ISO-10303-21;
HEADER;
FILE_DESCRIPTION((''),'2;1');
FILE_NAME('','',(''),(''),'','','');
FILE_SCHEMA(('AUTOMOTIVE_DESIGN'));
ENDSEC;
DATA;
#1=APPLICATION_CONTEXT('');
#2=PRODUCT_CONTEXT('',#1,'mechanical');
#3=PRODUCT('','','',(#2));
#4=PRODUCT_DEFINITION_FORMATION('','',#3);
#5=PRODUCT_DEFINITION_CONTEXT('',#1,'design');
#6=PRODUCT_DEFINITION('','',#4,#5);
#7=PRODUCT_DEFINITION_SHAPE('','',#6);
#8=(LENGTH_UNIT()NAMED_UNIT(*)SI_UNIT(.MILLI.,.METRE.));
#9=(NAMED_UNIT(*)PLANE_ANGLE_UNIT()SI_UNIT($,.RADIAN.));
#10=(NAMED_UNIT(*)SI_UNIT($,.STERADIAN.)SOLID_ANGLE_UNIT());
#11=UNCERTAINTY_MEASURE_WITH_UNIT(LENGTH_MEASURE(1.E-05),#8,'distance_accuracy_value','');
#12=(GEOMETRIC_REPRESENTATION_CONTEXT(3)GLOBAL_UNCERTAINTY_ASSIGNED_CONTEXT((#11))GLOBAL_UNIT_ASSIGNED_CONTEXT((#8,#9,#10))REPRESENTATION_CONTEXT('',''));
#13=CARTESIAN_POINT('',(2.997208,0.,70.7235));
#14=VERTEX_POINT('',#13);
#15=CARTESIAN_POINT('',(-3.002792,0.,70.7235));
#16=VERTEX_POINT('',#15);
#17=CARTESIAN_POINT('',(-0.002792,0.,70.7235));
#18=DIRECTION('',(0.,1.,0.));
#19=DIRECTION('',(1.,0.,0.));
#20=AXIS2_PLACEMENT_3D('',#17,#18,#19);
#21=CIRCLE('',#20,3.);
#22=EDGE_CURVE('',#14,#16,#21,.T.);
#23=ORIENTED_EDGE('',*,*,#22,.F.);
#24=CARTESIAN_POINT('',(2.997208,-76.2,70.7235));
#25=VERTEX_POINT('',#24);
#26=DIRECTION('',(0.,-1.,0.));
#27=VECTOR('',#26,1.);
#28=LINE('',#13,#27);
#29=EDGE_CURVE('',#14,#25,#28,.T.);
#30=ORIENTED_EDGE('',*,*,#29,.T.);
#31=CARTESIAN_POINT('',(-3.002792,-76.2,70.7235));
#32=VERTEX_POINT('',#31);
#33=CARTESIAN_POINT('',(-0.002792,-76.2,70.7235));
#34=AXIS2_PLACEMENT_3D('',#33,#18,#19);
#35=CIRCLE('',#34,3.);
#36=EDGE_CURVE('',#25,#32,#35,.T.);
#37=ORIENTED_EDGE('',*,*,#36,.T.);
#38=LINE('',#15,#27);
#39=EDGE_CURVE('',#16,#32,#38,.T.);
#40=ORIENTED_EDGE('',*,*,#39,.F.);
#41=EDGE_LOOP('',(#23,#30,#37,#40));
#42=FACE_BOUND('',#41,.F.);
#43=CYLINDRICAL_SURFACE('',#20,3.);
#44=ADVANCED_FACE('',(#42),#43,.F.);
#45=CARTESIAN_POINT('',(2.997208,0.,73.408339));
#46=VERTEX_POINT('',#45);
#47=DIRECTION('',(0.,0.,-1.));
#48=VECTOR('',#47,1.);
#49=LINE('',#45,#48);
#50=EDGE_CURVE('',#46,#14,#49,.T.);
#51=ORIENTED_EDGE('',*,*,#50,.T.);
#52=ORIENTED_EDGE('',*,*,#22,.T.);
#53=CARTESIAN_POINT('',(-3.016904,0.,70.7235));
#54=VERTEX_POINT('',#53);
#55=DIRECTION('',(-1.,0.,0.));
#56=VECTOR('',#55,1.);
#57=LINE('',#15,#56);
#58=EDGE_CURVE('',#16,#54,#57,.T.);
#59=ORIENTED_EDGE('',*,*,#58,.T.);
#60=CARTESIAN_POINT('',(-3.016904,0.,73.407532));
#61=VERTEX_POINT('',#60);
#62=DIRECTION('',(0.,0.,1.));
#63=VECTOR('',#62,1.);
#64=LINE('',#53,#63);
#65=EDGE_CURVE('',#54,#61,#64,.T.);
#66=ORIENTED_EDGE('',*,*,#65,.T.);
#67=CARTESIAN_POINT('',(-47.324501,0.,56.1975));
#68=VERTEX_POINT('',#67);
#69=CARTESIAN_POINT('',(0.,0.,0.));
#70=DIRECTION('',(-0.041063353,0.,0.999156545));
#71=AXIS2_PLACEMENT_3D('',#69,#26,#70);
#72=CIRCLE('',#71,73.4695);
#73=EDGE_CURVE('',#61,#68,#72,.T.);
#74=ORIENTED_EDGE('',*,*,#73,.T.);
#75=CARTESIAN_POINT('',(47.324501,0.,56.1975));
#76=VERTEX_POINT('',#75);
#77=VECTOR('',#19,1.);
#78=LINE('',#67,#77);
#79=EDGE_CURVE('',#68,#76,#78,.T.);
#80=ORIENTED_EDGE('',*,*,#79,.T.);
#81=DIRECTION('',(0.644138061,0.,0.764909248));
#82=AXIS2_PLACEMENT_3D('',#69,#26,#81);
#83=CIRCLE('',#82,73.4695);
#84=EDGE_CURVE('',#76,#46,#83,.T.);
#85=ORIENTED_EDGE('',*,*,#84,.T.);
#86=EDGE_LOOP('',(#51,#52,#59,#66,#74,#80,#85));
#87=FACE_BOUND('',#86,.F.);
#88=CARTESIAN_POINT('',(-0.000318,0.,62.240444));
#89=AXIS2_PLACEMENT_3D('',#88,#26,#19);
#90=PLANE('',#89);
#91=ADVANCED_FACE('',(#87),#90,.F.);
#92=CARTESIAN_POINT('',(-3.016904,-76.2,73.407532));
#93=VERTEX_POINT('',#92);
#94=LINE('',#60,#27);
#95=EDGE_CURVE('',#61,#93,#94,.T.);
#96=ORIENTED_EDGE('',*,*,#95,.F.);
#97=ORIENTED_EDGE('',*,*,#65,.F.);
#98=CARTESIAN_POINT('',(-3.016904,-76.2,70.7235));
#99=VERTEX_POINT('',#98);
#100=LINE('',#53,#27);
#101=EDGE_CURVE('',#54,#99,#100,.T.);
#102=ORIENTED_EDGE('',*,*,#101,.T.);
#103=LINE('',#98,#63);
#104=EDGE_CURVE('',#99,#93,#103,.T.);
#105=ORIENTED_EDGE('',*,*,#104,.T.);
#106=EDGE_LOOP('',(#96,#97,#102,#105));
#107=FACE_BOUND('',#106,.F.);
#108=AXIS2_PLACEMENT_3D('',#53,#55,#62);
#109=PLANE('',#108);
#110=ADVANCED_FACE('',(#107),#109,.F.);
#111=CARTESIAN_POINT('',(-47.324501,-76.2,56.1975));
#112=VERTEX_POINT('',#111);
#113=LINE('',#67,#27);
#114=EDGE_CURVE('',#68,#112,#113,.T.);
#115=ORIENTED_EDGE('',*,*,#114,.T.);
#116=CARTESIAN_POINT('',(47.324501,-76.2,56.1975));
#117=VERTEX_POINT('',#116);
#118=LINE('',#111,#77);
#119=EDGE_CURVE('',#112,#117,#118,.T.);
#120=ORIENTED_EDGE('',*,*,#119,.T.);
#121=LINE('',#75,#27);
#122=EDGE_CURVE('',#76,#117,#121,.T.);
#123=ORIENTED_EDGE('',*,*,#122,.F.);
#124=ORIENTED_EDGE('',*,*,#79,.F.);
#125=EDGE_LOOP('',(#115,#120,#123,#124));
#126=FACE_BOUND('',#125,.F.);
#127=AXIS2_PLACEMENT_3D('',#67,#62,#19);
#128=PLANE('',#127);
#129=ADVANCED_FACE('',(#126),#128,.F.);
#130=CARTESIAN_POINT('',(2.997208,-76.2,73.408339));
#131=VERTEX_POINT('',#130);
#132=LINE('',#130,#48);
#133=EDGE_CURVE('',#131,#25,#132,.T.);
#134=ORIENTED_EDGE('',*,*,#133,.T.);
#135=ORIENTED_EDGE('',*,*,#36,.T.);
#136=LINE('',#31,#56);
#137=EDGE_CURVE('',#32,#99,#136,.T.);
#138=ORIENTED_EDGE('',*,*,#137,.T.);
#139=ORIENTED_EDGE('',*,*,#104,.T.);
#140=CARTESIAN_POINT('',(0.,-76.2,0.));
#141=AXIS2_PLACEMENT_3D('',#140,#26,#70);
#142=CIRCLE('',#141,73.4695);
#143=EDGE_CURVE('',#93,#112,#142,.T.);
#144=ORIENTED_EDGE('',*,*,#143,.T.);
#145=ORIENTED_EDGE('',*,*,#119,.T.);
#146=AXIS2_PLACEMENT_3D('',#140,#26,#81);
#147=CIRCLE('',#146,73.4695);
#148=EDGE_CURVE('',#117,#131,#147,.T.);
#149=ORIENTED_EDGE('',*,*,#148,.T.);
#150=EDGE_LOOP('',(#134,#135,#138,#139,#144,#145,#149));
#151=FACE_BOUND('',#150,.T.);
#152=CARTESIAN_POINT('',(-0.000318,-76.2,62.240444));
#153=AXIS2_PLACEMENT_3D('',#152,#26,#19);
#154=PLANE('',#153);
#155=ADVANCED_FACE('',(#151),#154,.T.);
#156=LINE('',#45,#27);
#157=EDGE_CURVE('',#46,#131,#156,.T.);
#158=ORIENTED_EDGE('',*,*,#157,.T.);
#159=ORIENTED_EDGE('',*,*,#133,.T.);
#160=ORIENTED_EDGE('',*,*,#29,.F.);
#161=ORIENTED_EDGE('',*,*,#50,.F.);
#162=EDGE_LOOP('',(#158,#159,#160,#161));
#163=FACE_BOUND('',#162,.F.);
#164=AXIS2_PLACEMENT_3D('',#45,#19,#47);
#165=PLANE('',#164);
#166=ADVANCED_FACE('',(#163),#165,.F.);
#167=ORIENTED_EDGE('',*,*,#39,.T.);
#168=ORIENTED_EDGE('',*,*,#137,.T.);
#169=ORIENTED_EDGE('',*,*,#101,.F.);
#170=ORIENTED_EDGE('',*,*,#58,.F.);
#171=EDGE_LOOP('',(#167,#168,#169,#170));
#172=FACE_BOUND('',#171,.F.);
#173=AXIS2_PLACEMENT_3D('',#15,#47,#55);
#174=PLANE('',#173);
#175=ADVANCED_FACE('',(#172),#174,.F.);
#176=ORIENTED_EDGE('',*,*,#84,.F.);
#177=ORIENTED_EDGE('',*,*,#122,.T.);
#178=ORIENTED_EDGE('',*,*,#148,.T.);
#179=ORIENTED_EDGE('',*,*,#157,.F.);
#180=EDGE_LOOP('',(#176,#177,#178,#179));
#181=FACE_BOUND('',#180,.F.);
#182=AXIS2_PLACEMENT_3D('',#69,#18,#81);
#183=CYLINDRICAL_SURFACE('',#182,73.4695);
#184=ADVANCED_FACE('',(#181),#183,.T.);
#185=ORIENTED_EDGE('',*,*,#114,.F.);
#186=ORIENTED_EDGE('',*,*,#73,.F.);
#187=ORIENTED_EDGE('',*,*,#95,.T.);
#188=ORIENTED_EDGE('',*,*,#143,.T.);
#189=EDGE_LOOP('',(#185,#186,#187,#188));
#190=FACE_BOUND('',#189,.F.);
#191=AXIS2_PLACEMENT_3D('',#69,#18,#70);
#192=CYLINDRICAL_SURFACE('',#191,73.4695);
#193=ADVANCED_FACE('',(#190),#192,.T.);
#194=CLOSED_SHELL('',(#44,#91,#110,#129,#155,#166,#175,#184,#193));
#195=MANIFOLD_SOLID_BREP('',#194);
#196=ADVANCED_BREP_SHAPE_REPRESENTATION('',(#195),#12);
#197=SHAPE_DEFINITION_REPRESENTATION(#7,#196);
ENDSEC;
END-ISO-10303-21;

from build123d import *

# Parameters (mm, degrees)
F1_DEPTH = 76.2


with BuildPart() as f1:
    # F0 (on Front) → F1 (new body)
    with BuildSketch(Plane.XZ):
        with BuildLine():
            Line((-47.3245013075, 56.1975), (47.3245013075, 56.1975))
            ThreePointArc((47.3245013075, 56.1975), (26.591762849, 68.4882878953), (2.997208132, 73.408338584))
            Line((2.997208132, 73.408338584), (2.997208132, 70.7234999449))
            ThreePointArc((2.997208132, 70.7234999449), (-0.002791868, 67.7234999449), (-3.002791868, 70.7234999449))
            Line((-3.002791868, 70.7234999449), (-3.0169040135, 70.7234999449))
            Line((-3.0169040135, 70.7234999449), (-3.0169040135, 73.407531769))
            ThreePointArc((-3.0169040135, 73.407531769), (-26.6009505619, 68.4847198976), (-47.3245013075, 56.1975))
        make_face()
    extrude(amount=F1_DEPTH)


solid = f1.part
